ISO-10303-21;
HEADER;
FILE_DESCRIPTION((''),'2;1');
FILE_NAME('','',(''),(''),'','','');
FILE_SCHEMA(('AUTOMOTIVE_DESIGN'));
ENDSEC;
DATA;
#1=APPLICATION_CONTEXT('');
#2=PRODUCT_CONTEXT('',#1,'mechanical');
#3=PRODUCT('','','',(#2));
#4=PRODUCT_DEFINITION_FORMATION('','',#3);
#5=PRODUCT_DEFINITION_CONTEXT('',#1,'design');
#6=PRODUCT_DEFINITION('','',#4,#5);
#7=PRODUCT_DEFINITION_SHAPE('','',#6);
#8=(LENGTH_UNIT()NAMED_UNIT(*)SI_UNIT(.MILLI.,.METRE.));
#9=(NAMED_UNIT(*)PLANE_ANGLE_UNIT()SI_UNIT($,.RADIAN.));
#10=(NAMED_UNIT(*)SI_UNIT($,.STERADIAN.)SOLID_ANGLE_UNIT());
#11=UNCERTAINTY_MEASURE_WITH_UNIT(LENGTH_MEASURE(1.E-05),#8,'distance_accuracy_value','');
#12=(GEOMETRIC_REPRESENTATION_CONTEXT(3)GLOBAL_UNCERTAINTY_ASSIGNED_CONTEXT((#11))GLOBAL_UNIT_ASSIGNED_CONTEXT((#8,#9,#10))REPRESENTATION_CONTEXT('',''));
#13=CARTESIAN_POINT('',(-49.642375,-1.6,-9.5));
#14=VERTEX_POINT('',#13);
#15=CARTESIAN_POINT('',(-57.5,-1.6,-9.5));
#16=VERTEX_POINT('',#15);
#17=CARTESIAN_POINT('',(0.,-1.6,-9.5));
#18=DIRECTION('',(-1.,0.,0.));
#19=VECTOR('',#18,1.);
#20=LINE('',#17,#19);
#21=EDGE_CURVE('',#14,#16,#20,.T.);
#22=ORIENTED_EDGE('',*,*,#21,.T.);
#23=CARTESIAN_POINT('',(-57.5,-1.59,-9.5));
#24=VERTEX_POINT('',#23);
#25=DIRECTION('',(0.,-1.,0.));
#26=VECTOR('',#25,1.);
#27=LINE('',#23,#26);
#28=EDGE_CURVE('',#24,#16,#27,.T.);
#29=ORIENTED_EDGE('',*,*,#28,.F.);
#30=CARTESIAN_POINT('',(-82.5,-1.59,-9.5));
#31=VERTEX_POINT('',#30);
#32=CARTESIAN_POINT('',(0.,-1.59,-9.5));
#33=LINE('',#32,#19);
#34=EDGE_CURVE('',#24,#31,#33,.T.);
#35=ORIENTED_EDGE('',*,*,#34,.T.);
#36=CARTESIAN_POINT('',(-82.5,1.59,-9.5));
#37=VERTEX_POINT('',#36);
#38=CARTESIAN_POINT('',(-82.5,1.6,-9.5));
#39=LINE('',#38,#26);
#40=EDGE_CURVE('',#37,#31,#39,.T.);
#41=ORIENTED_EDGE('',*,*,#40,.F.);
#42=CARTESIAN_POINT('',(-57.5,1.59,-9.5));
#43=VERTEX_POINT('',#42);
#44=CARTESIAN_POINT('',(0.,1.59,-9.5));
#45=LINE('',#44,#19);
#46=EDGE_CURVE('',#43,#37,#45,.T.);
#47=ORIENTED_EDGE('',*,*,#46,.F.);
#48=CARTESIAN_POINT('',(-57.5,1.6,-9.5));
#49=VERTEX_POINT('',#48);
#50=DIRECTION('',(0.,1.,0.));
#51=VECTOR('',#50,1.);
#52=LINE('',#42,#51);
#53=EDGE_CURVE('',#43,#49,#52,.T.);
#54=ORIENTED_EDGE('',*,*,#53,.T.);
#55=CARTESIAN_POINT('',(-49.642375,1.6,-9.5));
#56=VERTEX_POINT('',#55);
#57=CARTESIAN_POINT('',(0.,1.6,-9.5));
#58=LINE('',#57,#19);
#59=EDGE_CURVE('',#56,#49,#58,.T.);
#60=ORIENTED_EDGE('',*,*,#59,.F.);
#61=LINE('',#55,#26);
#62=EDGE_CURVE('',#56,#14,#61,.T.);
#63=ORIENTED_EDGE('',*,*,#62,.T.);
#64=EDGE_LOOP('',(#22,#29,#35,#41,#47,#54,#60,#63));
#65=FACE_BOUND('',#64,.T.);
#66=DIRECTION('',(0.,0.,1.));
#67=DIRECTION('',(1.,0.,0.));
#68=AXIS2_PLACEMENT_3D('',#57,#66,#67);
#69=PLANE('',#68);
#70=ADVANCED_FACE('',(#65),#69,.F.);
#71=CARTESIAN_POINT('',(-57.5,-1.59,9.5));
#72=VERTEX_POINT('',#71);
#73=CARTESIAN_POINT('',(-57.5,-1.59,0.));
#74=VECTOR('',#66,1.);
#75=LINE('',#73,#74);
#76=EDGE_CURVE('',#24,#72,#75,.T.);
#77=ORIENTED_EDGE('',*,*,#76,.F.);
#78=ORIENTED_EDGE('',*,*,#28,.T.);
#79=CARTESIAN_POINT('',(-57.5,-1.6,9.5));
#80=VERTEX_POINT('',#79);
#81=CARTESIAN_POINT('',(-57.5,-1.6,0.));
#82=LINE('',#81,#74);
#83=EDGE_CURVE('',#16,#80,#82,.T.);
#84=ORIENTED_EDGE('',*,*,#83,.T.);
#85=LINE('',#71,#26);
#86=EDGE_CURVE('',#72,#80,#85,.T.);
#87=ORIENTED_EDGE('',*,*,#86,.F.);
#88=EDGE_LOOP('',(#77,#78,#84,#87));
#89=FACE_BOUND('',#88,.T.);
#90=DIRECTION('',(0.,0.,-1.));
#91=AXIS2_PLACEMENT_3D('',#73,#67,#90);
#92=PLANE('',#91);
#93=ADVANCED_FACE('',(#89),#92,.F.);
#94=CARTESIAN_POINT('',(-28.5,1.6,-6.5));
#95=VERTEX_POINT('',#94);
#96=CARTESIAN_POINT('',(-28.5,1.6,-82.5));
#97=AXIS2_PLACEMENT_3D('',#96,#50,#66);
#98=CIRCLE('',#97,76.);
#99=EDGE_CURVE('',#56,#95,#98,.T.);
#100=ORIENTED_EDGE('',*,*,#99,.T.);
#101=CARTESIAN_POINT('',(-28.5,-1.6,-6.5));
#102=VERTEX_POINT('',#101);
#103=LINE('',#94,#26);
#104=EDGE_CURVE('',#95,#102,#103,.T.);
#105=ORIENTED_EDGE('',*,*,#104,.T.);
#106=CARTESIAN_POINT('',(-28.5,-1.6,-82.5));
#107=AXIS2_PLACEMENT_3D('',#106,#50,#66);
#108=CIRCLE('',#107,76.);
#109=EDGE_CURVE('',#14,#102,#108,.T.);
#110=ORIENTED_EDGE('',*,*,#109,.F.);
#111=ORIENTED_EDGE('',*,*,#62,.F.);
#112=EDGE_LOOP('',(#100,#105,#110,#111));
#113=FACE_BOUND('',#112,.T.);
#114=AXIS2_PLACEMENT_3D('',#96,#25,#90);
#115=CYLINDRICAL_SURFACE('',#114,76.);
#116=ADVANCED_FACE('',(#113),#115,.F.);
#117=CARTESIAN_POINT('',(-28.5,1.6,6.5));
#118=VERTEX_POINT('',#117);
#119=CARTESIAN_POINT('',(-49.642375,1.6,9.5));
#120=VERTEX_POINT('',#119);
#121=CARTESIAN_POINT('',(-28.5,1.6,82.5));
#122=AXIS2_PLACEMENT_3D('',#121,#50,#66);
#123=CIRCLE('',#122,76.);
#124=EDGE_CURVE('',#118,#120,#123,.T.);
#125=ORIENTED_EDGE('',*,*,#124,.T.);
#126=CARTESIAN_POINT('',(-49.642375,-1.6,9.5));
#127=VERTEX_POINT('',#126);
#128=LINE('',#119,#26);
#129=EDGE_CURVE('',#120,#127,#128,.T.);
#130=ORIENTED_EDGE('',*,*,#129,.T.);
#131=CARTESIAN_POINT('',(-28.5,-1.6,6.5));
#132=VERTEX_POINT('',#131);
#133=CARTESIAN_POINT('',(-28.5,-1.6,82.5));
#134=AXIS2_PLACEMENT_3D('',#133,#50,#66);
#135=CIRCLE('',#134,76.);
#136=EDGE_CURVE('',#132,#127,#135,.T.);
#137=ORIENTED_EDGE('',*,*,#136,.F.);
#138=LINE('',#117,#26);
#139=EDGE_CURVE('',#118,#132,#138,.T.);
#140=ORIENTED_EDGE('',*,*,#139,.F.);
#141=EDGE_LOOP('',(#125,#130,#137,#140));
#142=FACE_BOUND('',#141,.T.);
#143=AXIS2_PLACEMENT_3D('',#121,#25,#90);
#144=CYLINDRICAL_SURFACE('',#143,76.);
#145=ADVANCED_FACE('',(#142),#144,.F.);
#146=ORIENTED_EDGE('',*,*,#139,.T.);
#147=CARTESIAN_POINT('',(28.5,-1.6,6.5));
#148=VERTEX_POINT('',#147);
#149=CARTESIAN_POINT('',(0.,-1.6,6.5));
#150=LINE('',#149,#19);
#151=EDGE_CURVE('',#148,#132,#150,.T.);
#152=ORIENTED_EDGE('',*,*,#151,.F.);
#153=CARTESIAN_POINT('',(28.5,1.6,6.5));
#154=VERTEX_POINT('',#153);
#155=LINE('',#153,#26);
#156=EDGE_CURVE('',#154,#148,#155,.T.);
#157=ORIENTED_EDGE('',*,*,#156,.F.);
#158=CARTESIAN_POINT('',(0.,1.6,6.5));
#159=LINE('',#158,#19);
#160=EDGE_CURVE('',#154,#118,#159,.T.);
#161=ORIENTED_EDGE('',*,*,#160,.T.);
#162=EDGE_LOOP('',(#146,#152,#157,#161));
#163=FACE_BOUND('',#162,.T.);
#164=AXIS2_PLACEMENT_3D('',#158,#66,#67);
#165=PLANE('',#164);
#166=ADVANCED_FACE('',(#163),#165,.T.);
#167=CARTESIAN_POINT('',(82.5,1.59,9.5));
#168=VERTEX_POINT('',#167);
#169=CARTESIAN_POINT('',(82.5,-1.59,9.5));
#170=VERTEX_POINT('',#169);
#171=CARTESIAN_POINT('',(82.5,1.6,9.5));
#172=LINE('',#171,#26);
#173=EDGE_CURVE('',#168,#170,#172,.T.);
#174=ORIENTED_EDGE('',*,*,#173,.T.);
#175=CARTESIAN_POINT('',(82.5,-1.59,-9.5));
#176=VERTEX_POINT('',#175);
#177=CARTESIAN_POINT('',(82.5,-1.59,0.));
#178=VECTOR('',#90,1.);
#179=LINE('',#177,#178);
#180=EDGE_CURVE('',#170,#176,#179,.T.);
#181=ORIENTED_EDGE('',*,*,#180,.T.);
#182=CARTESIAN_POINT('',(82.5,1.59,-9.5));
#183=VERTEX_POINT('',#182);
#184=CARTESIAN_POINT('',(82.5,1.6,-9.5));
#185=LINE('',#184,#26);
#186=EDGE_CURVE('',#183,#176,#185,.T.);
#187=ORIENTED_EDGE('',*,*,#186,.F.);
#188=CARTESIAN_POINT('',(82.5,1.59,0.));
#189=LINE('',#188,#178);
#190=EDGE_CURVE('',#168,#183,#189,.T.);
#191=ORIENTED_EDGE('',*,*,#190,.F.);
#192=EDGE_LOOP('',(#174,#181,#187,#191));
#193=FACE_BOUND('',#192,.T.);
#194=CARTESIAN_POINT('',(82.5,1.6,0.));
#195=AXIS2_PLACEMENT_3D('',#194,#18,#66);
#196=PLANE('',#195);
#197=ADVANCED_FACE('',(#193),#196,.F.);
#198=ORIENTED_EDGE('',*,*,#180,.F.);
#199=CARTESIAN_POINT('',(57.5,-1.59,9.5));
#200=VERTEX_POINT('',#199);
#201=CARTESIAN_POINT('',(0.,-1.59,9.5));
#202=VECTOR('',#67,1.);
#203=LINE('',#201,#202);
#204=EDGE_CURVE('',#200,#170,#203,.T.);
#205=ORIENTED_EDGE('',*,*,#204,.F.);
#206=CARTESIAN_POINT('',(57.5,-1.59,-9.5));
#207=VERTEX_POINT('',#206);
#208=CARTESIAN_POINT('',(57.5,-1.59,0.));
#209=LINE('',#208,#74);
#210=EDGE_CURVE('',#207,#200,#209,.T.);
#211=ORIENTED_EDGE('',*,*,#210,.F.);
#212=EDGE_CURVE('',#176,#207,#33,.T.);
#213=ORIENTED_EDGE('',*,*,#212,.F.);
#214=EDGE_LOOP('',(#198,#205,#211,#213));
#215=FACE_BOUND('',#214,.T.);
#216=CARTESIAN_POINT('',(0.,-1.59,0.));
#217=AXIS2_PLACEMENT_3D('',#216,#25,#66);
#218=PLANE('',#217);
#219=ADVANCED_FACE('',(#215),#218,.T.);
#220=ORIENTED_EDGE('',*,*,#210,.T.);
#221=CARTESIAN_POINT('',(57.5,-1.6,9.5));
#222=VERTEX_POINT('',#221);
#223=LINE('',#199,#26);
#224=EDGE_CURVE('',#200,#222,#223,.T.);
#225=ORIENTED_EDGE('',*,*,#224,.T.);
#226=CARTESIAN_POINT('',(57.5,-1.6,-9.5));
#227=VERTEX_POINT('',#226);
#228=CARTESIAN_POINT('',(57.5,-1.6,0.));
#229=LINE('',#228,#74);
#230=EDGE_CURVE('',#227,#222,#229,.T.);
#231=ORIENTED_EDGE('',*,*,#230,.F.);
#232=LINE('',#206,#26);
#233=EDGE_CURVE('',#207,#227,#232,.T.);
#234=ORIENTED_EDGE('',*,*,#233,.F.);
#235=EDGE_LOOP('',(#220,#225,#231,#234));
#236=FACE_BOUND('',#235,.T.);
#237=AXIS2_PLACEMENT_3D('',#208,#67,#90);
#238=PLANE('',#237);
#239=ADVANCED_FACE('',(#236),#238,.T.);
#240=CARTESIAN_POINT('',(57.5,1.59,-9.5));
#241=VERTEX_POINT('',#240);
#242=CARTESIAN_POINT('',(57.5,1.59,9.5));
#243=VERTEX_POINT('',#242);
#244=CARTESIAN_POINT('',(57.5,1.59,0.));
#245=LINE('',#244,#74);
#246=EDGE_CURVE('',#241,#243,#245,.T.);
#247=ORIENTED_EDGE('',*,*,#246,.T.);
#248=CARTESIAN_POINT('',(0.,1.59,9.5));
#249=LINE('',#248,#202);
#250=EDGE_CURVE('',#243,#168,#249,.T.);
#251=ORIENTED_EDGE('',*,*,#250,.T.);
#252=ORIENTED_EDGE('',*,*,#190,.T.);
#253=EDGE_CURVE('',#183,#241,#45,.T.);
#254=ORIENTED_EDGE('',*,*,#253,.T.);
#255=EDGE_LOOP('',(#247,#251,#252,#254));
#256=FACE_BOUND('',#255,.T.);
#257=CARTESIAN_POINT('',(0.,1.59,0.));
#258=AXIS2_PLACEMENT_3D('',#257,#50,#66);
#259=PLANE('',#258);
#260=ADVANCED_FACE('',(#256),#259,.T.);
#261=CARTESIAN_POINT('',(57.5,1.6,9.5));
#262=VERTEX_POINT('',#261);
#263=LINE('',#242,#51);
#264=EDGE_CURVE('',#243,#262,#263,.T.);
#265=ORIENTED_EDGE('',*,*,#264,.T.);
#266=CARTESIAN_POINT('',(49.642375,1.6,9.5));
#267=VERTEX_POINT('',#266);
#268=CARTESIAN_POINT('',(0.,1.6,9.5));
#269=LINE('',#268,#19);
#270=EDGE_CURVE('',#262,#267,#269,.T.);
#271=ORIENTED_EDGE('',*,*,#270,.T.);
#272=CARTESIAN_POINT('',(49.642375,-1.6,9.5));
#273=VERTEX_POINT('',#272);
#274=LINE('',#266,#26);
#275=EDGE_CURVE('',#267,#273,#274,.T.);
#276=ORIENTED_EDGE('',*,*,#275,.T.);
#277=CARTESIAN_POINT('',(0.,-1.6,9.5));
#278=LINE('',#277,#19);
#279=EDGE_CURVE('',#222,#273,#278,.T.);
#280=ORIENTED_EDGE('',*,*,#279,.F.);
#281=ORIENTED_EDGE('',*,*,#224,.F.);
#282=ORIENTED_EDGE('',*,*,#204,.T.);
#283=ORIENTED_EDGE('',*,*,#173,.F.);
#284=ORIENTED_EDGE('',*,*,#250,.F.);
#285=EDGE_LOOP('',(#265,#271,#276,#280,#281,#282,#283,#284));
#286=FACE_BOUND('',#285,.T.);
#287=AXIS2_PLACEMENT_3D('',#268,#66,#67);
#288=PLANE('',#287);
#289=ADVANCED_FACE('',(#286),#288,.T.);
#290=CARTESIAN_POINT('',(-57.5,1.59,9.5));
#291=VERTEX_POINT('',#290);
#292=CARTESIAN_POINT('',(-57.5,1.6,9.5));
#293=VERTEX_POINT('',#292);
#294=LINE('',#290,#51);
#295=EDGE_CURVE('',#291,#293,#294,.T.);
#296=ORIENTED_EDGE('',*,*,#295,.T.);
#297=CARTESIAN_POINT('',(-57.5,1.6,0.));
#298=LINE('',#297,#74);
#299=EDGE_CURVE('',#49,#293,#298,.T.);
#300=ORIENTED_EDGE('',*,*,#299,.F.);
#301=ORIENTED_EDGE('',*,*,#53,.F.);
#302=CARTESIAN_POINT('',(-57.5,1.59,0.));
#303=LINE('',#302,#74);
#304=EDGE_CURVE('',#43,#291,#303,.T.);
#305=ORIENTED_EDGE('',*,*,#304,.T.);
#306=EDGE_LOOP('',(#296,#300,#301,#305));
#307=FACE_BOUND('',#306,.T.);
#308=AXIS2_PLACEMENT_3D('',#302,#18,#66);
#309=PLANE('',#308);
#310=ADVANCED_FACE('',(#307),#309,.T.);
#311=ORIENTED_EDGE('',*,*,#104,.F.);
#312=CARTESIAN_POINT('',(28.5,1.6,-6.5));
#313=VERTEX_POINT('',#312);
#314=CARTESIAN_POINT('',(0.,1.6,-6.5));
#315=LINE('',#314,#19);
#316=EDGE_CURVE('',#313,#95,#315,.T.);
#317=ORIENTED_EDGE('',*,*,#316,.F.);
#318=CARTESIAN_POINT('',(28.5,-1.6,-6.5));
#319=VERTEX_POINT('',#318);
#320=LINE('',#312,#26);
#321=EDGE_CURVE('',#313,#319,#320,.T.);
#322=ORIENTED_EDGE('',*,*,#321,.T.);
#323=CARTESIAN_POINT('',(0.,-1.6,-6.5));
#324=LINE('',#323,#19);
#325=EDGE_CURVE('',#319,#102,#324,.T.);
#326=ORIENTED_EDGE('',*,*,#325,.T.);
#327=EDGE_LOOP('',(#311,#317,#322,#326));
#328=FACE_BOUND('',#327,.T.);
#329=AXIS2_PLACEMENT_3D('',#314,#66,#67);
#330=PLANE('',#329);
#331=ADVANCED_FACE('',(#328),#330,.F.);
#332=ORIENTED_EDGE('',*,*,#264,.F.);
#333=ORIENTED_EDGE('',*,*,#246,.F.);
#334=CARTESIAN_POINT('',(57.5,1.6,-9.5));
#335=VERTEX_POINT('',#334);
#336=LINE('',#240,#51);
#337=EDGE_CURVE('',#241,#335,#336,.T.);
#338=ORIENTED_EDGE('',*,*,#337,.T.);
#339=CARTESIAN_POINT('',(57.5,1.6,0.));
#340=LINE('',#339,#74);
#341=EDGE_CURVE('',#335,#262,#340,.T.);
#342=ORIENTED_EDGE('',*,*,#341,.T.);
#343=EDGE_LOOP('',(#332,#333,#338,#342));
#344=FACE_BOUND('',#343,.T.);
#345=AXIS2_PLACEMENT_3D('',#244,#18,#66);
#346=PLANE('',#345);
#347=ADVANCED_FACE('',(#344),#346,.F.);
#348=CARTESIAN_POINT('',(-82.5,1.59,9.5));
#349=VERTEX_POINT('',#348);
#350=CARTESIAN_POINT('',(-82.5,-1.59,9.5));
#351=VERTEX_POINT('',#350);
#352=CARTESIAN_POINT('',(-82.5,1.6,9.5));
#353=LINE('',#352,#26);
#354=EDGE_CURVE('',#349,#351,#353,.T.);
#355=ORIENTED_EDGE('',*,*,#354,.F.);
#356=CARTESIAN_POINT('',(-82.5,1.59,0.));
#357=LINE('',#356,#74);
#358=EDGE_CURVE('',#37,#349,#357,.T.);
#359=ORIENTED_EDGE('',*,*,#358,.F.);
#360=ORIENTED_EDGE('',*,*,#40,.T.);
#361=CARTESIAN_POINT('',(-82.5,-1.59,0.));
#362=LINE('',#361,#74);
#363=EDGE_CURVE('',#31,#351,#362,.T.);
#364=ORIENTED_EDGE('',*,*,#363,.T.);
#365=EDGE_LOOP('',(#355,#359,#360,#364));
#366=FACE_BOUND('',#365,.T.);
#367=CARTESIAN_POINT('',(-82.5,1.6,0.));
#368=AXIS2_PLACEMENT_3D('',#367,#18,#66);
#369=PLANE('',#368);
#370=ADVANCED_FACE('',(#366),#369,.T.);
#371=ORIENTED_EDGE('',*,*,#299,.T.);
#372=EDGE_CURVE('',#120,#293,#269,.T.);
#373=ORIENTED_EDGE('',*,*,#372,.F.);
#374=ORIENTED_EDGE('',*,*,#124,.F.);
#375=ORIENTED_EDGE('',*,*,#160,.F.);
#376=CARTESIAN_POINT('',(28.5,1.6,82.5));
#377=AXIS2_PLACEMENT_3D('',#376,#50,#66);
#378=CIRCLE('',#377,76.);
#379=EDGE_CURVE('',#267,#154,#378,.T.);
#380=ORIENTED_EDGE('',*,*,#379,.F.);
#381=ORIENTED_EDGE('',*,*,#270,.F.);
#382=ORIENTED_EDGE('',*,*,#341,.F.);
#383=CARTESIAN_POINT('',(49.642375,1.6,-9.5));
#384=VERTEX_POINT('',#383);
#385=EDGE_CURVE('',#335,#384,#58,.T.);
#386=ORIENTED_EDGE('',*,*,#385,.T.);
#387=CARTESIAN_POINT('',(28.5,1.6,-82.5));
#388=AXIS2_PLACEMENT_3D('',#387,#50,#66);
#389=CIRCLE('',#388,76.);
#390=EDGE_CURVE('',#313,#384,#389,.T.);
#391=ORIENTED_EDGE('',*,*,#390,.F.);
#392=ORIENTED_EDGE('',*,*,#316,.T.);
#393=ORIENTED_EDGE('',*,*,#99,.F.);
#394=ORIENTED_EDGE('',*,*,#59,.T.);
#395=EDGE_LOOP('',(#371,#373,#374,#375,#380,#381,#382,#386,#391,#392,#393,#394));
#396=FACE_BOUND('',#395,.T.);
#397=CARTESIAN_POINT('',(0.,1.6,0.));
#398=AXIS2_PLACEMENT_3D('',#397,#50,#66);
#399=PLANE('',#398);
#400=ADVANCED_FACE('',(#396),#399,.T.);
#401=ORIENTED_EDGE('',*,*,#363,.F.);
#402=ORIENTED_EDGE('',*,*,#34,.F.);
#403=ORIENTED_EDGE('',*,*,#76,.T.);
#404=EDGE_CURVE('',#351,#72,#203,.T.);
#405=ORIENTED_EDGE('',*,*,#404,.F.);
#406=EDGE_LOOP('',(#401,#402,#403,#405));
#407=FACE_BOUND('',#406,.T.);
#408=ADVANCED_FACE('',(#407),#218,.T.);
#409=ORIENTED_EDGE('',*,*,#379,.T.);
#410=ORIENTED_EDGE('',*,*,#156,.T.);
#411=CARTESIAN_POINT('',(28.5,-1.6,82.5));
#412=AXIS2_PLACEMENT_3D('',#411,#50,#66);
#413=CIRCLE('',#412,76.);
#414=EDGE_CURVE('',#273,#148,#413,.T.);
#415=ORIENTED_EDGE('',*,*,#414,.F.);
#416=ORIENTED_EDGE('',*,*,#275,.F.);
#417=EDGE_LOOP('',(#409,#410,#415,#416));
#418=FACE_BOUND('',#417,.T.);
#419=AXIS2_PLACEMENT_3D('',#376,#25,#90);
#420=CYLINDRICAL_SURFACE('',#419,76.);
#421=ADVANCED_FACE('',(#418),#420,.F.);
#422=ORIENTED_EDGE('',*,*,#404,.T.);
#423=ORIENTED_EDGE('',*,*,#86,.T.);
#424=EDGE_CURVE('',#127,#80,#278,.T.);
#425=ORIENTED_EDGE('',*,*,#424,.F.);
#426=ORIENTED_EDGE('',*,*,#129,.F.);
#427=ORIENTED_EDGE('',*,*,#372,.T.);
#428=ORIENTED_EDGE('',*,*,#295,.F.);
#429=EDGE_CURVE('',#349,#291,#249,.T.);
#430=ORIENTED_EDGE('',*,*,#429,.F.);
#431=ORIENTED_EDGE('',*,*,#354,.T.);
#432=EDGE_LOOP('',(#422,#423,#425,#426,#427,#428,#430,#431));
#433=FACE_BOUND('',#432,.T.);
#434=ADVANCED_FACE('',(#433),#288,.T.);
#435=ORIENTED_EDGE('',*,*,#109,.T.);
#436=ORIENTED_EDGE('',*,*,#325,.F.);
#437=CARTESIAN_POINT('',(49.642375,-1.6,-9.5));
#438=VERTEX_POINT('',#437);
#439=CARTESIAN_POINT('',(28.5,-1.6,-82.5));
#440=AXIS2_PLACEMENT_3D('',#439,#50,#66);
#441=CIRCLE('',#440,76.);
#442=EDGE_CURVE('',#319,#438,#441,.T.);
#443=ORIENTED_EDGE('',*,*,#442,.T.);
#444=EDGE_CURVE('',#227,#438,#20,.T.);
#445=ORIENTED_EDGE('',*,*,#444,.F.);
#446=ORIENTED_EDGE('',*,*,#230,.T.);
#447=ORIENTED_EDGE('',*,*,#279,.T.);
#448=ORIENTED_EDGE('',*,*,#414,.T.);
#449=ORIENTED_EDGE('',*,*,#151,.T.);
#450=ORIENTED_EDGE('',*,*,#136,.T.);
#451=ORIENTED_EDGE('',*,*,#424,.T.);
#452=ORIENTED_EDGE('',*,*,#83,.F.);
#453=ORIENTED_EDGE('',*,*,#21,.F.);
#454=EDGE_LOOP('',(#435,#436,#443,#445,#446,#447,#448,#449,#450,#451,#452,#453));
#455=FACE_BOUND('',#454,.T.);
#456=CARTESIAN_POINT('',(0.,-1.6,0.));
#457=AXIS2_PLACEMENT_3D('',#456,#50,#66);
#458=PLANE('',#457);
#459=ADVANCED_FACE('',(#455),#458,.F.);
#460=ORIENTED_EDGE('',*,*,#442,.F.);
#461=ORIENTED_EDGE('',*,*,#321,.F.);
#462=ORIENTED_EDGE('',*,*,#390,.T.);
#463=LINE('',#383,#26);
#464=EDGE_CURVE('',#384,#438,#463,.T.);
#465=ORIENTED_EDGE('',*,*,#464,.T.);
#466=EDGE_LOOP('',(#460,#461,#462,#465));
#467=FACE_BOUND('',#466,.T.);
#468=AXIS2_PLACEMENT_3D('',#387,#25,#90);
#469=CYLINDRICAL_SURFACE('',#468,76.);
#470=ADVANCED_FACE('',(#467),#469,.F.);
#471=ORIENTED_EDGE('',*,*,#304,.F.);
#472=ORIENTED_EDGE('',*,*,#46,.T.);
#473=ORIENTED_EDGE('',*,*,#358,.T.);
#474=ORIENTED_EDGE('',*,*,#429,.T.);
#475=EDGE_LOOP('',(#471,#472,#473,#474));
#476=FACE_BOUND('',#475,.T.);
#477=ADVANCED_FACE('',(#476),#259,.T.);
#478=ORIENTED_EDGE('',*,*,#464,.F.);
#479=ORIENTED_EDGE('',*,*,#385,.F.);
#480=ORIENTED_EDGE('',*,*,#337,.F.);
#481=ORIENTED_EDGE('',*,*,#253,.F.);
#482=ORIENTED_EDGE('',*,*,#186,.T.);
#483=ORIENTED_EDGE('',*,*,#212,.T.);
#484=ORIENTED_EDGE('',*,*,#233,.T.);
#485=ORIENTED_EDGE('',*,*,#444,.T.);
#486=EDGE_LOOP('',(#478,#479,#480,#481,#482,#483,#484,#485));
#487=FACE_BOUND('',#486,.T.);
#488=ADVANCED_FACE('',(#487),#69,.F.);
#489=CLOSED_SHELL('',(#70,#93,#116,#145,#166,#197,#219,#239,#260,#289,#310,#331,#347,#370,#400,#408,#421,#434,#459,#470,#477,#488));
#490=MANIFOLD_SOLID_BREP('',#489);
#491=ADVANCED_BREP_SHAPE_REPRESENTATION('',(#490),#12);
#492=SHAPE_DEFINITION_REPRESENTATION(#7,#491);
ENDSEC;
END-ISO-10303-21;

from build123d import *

# Parameters (mm, degrees)
CROQUIS1_W              = 57
CROQUIS1_H              = 13
SALIENTE_EXTRUIR1_DEPTH = 1.6
CROQUIS2_W              = 25
CROQUIS2_H              = 19
CORTAR_EXTRUIR1_DEPTH   = 0.01


with BuildPart() as part:
    # Croquis1 → Saliente-Extruir1 (new body, symmetric)
    with BuildSketch(Plane(origin=(0, 0, 0), x_dir=(1, 0, 0), z_dir=(0, 1, 0))):
        with BuildLine():
            Line((-82.5, -9.5), (-49.642374512, -9.5))
            ThreePointArc((-49.642374512, -9.5), (-39.177078252, -7.253737634), (-28.5, -6.5))
            Line((-28.5, -6.5), (-28.5, 6.5))
            ThreePointArc((-28.5, 6.5), (-39.177078252, 7.253737634), (-49.642374512, 9.5))
            Line((-49.642374512, 9.5), (-82.5, 9.5))
            Line((-82.5, 9.5), (-82.5, -9.5))
        make_face()
        with BuildLine():
            Line((49.642374512, -9.5), (82.5, -9.5))
            Line((82.5, -9.5), (82.5, 9.5))
            Line((82.5, 9.5), (49.642374512, 9.5))
            ThreePointArc((49.642374512, 9.5), (39.177078252, 7.253737634), (28.5, 6.5))
            Line((28.5, 6.5), (28.5, -6.5))
            ThreePointArc((28.5, -6.5), (39.177078252, -7.253737634), (49.642374512, -9.5))
        make_face()
        Rectangle(CROQUIS1_W, CROQUIS1_H)
    extrude(amount=SALIENTE_EXTRUIR1_DEPTH, both=True)

    # Croquis2 → Cortar-Extruir1 (cut)
    with BuildSketch(Plane(origin=(0, 1.6, 0), x_dir=(1, 0, 0), z_dir=(0, 1, 0))):
        with Locations((-70, 0)):
            Rectangle(CROQUIS2_W, CROQUIS2_H)
        with Locations((70, 0)):
            Rectangle(CROQUIS2_W, CROQUIS2_H)
    cortar_extruir1 = extrude(amount=-CORTAR_EXTRUIR1_DEPTH, mode=Mode.SUBTRACT)

    # Simetría1: Cortar-Extruir1 across plane
    add(cortar_extruir1.mirror(Plane.ZX), mode=Mode.SUBTRACT)


solid = part.part
